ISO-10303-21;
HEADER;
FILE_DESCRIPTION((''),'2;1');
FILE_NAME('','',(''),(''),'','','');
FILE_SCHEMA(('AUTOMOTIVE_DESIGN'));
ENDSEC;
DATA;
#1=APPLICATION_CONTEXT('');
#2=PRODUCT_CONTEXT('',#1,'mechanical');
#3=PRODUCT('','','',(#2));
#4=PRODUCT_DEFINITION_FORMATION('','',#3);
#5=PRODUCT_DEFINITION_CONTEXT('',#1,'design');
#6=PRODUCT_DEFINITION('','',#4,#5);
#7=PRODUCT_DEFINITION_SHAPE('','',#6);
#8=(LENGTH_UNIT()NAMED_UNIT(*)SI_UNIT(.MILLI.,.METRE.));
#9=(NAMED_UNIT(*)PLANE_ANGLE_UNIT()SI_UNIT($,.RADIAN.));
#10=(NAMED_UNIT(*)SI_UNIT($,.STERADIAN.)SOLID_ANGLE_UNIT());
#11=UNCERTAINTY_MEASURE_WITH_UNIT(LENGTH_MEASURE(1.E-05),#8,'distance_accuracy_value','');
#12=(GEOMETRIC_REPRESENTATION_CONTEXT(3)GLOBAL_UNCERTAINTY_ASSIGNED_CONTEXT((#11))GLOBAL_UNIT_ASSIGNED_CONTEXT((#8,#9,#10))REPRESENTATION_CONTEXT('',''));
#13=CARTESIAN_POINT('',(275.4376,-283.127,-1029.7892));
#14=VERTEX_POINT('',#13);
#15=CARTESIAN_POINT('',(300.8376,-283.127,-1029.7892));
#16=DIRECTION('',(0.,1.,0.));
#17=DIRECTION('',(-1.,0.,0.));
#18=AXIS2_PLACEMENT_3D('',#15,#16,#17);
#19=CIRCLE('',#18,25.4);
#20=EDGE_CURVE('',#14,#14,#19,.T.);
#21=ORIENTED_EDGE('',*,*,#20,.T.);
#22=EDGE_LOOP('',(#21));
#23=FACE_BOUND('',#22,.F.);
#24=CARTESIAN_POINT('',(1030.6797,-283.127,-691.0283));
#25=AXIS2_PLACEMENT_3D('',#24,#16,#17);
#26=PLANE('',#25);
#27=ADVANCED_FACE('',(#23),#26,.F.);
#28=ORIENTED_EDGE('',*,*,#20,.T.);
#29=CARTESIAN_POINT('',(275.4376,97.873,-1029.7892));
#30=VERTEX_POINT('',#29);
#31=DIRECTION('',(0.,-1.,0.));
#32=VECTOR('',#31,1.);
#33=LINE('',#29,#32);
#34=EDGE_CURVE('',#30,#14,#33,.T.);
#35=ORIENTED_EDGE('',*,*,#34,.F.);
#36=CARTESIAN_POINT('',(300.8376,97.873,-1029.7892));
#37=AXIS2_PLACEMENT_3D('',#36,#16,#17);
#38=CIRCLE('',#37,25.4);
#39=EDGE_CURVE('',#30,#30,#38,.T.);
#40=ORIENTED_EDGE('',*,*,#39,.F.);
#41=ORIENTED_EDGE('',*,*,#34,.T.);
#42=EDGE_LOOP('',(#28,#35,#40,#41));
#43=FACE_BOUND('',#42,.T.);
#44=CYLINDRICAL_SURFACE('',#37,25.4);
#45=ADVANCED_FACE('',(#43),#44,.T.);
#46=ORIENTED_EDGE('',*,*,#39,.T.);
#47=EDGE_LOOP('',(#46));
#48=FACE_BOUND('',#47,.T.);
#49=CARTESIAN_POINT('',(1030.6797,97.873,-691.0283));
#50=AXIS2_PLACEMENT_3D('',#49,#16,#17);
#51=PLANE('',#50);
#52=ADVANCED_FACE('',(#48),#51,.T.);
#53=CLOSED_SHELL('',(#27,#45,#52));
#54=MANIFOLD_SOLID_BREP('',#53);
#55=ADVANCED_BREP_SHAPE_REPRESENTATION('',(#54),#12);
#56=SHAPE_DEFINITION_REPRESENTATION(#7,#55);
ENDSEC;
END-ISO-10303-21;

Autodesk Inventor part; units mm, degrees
ref_plane "YZ Plane" through (0, 0, 0) normal (1, 0, 0) x (0, 1, 0)
ref_plane "XZ Plane" through (0, 0, 0) normal (0, 1, 0) x (-1, 0, 0)
ref_plane "XY Plane" through (0, 0, 0) normal (0, 0, 1) x (1, 0, 0)
ref_plane "Work Plane1" through (1030.6797, 97.873, -691.0283) normal (0, 1, 0) x (-1, 0, 0)
sketch "Sketch1" plane through (1030.6797, 97.873, -691.0283) normal (0, 1, 0) x (-1, 0, 0)
  circle A0 centre (729.8421, -338.7609) radius 25.4
  point P0 (1030.6797, 691.0283)
  dimension "d0" = 50.8
extrude "Extrusion1" add sketch "Sketch1" against normal blind 381
properties part number "tbe"
